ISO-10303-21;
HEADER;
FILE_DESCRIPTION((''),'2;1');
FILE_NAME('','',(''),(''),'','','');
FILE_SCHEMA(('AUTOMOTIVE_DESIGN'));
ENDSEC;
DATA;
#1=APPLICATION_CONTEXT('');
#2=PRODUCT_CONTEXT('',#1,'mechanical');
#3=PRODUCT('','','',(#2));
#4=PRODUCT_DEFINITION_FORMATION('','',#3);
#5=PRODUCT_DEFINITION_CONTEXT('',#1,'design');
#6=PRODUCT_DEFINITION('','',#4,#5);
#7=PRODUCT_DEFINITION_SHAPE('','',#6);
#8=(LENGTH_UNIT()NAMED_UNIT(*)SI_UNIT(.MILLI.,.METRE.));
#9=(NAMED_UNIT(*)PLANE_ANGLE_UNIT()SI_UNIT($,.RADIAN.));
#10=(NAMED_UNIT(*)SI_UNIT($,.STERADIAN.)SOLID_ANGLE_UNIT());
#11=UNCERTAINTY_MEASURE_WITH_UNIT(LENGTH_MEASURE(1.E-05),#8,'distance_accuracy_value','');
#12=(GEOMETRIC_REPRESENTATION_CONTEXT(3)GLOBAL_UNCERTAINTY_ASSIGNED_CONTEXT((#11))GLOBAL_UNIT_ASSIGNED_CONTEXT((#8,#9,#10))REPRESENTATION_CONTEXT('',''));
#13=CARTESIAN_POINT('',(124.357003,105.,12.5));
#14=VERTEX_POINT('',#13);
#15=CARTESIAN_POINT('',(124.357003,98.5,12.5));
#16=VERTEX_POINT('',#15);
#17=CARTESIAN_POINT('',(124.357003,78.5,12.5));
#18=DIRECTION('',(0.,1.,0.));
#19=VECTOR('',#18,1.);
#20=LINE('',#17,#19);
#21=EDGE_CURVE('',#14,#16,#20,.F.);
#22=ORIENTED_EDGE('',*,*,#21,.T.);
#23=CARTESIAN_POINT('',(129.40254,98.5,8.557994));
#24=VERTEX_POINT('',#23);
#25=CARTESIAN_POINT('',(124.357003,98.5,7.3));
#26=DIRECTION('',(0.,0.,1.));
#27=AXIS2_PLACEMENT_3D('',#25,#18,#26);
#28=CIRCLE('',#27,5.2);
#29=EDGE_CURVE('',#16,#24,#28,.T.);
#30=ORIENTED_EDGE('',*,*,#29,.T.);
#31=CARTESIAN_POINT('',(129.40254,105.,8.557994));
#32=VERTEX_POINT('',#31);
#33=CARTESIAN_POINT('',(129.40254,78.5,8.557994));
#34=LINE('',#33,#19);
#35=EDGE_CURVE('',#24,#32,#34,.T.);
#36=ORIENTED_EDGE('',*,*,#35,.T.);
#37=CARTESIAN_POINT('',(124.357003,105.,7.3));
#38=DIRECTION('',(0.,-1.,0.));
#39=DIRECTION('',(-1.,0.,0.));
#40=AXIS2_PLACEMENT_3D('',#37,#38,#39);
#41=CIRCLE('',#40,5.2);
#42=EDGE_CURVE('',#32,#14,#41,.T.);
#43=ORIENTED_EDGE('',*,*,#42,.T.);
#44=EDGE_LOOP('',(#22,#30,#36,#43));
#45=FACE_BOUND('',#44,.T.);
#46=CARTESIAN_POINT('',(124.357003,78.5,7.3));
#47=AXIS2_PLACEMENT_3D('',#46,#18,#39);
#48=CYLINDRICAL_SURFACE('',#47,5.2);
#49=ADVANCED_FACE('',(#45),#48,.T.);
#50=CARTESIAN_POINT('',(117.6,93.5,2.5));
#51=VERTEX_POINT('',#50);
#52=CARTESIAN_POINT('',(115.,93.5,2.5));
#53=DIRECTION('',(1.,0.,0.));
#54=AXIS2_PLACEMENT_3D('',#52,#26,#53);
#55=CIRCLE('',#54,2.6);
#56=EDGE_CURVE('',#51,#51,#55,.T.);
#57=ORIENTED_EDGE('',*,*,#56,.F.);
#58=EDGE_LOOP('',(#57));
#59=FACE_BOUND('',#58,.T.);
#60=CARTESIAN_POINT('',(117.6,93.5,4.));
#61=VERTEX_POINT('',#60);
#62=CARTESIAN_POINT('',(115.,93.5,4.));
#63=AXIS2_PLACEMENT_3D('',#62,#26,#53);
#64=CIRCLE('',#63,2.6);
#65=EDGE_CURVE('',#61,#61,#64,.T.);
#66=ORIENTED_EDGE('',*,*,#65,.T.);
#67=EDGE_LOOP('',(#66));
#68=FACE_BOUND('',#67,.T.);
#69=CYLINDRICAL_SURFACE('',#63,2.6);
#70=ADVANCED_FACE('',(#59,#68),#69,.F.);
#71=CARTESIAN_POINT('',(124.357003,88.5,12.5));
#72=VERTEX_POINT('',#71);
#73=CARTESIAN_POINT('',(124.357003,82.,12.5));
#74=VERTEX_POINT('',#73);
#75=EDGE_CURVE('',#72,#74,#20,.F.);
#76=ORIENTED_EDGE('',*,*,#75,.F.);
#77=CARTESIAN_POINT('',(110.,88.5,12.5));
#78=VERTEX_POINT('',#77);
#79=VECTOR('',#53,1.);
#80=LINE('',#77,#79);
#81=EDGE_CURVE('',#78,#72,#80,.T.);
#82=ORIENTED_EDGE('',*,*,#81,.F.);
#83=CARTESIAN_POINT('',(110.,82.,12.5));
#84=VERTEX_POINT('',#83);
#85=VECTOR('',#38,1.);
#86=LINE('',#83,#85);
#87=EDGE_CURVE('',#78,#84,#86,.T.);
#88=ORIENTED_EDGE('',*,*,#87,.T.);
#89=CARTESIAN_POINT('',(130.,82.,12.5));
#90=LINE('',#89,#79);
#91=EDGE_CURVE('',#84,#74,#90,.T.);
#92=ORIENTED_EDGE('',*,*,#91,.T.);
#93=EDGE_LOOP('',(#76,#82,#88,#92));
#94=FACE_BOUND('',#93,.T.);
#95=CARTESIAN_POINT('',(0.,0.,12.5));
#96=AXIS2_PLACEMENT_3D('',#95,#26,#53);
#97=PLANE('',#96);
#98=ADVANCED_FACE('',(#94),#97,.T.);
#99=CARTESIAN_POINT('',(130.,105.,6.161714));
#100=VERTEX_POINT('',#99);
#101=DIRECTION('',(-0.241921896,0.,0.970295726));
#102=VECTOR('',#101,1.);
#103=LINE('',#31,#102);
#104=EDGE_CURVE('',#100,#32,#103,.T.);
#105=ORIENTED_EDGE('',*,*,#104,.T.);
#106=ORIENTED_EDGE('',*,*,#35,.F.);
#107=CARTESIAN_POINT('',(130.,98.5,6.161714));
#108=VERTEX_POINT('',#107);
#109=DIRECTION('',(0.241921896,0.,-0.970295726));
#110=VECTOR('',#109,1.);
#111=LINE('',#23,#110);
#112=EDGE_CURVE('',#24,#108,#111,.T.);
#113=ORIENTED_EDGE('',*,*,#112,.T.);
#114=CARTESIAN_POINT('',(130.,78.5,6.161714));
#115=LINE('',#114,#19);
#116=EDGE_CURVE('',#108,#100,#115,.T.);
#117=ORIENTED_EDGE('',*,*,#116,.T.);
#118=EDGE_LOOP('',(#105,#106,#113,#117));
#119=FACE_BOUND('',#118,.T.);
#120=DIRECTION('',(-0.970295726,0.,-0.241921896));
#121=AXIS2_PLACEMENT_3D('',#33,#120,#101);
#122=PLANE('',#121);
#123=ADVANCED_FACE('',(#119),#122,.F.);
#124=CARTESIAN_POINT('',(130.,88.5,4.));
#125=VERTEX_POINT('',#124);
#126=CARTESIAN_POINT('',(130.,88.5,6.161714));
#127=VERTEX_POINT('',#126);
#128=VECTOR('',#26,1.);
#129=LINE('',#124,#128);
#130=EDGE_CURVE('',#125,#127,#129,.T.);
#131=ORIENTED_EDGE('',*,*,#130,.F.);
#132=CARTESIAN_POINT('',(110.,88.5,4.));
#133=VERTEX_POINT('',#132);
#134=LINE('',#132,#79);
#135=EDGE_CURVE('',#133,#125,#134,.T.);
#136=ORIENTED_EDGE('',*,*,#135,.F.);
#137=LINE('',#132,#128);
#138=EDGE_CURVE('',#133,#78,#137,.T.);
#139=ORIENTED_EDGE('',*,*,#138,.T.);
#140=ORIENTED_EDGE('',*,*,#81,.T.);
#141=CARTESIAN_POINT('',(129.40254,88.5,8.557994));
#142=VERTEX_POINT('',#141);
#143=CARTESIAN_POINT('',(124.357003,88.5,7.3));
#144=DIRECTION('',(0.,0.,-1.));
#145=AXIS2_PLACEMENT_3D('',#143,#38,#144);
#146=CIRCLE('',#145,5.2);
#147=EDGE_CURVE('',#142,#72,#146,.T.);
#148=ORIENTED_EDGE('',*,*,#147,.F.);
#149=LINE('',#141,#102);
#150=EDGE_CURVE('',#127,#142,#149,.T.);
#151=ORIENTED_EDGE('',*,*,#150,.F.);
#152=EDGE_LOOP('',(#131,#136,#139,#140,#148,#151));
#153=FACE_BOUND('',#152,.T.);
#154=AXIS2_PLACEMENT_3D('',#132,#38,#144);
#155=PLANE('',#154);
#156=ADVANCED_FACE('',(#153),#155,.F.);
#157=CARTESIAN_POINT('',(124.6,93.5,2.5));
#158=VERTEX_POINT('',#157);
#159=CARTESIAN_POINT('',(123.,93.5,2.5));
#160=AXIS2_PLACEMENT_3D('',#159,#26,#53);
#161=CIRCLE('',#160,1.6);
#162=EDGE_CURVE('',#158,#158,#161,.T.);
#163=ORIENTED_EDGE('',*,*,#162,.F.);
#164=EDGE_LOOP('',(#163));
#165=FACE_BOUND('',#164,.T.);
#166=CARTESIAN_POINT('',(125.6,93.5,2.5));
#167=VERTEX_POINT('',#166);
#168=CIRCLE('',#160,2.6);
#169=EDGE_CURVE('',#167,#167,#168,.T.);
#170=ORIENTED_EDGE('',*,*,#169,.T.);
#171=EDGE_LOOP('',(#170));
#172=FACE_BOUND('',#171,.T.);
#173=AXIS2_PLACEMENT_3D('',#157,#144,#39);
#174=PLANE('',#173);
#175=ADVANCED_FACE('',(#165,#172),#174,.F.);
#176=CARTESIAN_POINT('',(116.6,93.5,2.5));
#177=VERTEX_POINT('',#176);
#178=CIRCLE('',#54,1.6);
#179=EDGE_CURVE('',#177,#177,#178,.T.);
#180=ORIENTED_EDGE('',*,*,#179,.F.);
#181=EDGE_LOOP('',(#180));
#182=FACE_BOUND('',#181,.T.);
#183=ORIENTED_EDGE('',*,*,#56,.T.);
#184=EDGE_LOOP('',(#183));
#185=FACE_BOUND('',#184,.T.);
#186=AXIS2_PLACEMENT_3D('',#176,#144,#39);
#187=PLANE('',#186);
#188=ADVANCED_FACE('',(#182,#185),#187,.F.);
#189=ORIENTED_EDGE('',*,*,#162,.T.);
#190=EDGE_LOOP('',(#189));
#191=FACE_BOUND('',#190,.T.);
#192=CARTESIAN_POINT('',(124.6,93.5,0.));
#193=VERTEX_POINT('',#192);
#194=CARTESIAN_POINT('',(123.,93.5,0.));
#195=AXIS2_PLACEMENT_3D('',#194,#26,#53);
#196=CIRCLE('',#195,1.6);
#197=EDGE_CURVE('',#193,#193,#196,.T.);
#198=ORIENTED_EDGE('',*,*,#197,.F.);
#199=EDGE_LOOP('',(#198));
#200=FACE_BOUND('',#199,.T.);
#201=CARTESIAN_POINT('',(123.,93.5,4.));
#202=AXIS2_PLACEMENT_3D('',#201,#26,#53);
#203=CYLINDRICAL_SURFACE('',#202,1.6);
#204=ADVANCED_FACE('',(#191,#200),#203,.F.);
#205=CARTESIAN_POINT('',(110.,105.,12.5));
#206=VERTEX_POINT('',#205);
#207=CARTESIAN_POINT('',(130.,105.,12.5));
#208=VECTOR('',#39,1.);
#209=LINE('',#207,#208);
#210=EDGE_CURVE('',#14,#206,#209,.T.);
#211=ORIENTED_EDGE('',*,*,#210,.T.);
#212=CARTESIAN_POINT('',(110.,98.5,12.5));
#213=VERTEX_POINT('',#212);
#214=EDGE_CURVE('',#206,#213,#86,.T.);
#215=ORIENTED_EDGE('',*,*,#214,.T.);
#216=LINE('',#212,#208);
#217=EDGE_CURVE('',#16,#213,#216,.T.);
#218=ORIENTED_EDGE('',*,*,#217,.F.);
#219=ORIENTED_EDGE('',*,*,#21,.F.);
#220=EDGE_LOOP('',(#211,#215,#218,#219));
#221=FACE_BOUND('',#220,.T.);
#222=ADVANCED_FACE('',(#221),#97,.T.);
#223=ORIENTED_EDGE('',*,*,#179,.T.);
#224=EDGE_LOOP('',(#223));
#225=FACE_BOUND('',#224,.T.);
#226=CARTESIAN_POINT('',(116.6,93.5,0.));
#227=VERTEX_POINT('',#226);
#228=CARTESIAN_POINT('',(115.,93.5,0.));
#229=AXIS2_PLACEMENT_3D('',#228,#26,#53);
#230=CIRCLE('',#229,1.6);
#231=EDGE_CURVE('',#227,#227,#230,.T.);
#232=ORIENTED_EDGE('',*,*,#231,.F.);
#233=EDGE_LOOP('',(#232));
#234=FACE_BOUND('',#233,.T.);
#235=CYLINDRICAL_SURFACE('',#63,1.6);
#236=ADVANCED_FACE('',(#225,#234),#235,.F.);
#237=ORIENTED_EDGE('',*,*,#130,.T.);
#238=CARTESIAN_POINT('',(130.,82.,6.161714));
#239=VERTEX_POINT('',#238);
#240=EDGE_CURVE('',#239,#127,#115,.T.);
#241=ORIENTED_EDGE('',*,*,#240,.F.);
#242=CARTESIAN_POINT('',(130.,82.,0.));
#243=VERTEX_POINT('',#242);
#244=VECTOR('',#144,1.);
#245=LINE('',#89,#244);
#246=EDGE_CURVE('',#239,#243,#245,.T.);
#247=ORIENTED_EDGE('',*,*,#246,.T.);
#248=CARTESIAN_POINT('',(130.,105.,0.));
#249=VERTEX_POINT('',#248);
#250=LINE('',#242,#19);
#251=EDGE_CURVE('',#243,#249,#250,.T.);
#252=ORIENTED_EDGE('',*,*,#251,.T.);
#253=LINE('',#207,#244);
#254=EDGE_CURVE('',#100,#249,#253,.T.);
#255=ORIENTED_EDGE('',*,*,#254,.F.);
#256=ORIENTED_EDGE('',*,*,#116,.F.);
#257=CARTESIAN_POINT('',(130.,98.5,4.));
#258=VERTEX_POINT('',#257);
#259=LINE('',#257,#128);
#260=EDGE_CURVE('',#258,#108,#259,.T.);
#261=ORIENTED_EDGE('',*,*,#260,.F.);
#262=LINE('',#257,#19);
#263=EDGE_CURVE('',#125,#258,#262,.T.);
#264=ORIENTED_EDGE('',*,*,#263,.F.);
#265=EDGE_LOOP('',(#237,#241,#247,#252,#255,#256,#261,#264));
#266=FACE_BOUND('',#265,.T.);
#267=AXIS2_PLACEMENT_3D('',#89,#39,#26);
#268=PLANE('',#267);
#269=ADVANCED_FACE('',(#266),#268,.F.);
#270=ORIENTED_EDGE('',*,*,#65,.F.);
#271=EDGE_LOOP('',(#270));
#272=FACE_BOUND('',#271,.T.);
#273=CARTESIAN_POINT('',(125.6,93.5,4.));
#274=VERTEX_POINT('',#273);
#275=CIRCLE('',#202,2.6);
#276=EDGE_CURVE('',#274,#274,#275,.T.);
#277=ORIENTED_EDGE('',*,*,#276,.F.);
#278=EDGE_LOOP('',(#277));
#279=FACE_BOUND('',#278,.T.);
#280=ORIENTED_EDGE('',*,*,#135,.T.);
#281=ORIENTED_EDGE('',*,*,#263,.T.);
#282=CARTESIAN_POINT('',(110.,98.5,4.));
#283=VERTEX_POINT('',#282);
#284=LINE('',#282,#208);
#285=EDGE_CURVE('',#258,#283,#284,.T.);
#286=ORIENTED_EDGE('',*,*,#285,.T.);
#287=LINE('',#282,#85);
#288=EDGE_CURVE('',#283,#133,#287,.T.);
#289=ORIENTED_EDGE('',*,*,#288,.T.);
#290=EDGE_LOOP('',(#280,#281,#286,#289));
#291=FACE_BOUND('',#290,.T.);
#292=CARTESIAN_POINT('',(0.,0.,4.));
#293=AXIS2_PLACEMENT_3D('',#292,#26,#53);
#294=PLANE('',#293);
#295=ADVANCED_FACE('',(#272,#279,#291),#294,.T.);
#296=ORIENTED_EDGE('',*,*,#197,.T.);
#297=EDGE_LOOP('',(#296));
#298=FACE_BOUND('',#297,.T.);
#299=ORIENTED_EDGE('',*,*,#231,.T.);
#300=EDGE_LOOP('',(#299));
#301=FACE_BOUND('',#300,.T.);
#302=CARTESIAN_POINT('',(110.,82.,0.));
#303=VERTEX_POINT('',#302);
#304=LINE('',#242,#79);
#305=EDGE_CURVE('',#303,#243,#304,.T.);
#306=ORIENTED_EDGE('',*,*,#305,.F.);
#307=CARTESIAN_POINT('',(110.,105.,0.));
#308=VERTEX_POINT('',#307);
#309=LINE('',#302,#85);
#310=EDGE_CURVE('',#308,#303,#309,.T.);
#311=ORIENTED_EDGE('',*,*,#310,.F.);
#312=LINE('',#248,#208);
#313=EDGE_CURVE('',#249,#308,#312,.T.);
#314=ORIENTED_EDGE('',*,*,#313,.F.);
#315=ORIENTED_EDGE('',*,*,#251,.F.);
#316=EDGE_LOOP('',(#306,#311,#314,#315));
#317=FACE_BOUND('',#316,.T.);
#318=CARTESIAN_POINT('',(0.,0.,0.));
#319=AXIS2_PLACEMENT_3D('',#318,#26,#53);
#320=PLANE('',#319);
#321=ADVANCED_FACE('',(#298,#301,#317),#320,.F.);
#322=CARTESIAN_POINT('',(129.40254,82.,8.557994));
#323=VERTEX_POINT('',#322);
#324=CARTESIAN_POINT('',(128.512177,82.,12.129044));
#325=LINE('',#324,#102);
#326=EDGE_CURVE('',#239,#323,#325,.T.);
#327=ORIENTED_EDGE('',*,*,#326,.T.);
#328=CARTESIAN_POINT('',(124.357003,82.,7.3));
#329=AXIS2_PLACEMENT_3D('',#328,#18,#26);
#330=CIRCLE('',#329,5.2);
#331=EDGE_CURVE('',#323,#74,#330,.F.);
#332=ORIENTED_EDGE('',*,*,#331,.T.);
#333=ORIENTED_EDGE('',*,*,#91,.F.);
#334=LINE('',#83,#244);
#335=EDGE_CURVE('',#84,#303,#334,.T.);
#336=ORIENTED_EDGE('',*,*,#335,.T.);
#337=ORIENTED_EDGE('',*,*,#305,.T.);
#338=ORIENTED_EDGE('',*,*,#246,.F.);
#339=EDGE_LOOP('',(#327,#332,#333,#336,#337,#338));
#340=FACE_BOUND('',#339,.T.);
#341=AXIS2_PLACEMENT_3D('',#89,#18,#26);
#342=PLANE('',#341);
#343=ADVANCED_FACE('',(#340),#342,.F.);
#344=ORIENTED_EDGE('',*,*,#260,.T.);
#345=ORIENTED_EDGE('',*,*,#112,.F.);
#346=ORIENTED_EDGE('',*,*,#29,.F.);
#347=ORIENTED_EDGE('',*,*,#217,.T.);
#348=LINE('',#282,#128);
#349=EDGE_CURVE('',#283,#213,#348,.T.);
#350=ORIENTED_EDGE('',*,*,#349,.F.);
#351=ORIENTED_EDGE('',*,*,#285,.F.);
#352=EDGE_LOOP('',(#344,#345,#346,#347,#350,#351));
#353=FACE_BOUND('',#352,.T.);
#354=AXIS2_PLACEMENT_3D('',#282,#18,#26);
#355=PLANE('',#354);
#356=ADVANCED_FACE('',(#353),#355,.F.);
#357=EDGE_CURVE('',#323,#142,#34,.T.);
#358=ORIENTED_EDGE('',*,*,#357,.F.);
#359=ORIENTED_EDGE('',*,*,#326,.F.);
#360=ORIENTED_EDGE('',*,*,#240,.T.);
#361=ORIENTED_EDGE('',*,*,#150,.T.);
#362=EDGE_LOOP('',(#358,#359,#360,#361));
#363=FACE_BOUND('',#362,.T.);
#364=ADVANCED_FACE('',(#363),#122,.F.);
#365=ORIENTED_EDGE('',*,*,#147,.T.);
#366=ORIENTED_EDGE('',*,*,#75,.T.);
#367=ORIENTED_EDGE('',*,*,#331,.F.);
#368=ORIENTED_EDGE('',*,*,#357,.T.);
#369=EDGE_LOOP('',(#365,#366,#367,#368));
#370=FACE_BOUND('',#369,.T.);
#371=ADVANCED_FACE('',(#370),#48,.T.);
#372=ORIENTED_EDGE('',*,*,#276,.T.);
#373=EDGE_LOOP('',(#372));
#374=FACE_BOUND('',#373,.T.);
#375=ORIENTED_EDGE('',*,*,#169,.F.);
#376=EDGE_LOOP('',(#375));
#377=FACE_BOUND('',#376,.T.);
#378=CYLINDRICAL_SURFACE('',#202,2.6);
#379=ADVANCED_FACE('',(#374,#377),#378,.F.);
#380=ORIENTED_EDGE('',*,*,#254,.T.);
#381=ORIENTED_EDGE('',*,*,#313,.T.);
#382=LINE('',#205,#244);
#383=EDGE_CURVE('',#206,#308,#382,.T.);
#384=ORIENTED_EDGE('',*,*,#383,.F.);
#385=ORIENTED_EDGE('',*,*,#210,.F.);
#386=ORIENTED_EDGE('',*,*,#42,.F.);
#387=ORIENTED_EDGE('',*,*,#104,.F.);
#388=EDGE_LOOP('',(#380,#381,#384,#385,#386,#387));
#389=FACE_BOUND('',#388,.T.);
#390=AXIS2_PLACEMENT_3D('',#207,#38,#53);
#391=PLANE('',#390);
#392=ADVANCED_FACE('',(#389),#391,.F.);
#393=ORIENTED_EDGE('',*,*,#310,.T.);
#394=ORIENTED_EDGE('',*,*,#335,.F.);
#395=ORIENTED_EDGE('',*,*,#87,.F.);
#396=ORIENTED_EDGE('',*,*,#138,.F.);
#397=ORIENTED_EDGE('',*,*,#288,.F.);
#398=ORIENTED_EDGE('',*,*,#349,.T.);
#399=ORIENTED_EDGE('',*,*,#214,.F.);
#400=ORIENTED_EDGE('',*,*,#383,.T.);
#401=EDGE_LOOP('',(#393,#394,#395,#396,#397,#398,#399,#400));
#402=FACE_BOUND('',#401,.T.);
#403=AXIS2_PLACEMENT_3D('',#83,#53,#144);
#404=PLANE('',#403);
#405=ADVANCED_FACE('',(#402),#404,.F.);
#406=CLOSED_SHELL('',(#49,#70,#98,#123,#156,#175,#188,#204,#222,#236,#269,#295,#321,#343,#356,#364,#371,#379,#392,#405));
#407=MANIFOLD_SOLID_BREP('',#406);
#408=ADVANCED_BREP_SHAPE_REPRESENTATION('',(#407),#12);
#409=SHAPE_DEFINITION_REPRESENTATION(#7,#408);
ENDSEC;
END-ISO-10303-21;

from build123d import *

# Parameters (mm, degrees)
SKETCH_1_W                   = 20
SKETCH_1_H                   = 23
EXTRUDE_1_DEPTH              = 12.5
CUT_EXTRUDE_1_DEPTH          = 26.5
SKETCH_3_W                   = 20
SKETCH_3_H                   = 10
CUT_EXTRUDE_2_DEPTH          = 8.5
HOLE_WIZARD_M3_1_D           = 3.2
HOLE_WIZARD_M3_1_CBORE_D     = 5.2
HOLE_WIZARD_M3_1_CBORE_DEPTH = 1.5


with BuildPart() as part:
    # 草图1 → 凸台-拉伸1 (new body)
    with BuildSketch(Plane.XY):
        with Locations((120, 93.5)):
            Rectangle(SKETCH_1_W, SKETCH_1_H)
    extrude(amount=EXTRUDE_1_DEPTH)

    # 草图2 → 切除-拉伸1 (cut)
    with BuildSketch(Plane(origin=(0, 105, 0), x_dir=(1, 0, 0), z_dir=(0, 1, 0))):
        with BuildLine():
            Line((129.40254033, -8.557993857), (130, -6.161714003))
            Line((130, -6.161714003), (130, -12.5))
            Line((130, -12.5), (124.357002553, -12.5))
            ThreePointArc((124.357002553, -12.5), (127.558442225, -11.397655919), (129.40254033, -8.557993857))
        make_face()
    extrude(amount=-CUT_EXTRUDE_1_DEPTH, mode=Mode.SUBTRACT)

    # 草图3 → 切除-拉伸2 (cut)
    with BuildSketch(Plane.XY.offset(12.5)):
        with Locations((120, 93.5)):
            Rectangle(SKETCH_3_W, SKETCH_3_H)
    extrude(amount=-CUT_EXTRUDE_2_DEPTH, mode=Mode.SUBTRACT)

    # M3 六角头螺栓的柱形沉头孔1 (through all)
    with Locations(Plane.XY.offset(4)):
        with Locations((115, 93.5), (123, 93.5)):
            CounterBoreHole(HOLE_WIZARD_M3_1_D / 2, HOLE_WIZARD_M3_1_CBORE_D / 2, HOLE_WIZARD_M3_1_CBORE_DEPTH)


solid = part.part
